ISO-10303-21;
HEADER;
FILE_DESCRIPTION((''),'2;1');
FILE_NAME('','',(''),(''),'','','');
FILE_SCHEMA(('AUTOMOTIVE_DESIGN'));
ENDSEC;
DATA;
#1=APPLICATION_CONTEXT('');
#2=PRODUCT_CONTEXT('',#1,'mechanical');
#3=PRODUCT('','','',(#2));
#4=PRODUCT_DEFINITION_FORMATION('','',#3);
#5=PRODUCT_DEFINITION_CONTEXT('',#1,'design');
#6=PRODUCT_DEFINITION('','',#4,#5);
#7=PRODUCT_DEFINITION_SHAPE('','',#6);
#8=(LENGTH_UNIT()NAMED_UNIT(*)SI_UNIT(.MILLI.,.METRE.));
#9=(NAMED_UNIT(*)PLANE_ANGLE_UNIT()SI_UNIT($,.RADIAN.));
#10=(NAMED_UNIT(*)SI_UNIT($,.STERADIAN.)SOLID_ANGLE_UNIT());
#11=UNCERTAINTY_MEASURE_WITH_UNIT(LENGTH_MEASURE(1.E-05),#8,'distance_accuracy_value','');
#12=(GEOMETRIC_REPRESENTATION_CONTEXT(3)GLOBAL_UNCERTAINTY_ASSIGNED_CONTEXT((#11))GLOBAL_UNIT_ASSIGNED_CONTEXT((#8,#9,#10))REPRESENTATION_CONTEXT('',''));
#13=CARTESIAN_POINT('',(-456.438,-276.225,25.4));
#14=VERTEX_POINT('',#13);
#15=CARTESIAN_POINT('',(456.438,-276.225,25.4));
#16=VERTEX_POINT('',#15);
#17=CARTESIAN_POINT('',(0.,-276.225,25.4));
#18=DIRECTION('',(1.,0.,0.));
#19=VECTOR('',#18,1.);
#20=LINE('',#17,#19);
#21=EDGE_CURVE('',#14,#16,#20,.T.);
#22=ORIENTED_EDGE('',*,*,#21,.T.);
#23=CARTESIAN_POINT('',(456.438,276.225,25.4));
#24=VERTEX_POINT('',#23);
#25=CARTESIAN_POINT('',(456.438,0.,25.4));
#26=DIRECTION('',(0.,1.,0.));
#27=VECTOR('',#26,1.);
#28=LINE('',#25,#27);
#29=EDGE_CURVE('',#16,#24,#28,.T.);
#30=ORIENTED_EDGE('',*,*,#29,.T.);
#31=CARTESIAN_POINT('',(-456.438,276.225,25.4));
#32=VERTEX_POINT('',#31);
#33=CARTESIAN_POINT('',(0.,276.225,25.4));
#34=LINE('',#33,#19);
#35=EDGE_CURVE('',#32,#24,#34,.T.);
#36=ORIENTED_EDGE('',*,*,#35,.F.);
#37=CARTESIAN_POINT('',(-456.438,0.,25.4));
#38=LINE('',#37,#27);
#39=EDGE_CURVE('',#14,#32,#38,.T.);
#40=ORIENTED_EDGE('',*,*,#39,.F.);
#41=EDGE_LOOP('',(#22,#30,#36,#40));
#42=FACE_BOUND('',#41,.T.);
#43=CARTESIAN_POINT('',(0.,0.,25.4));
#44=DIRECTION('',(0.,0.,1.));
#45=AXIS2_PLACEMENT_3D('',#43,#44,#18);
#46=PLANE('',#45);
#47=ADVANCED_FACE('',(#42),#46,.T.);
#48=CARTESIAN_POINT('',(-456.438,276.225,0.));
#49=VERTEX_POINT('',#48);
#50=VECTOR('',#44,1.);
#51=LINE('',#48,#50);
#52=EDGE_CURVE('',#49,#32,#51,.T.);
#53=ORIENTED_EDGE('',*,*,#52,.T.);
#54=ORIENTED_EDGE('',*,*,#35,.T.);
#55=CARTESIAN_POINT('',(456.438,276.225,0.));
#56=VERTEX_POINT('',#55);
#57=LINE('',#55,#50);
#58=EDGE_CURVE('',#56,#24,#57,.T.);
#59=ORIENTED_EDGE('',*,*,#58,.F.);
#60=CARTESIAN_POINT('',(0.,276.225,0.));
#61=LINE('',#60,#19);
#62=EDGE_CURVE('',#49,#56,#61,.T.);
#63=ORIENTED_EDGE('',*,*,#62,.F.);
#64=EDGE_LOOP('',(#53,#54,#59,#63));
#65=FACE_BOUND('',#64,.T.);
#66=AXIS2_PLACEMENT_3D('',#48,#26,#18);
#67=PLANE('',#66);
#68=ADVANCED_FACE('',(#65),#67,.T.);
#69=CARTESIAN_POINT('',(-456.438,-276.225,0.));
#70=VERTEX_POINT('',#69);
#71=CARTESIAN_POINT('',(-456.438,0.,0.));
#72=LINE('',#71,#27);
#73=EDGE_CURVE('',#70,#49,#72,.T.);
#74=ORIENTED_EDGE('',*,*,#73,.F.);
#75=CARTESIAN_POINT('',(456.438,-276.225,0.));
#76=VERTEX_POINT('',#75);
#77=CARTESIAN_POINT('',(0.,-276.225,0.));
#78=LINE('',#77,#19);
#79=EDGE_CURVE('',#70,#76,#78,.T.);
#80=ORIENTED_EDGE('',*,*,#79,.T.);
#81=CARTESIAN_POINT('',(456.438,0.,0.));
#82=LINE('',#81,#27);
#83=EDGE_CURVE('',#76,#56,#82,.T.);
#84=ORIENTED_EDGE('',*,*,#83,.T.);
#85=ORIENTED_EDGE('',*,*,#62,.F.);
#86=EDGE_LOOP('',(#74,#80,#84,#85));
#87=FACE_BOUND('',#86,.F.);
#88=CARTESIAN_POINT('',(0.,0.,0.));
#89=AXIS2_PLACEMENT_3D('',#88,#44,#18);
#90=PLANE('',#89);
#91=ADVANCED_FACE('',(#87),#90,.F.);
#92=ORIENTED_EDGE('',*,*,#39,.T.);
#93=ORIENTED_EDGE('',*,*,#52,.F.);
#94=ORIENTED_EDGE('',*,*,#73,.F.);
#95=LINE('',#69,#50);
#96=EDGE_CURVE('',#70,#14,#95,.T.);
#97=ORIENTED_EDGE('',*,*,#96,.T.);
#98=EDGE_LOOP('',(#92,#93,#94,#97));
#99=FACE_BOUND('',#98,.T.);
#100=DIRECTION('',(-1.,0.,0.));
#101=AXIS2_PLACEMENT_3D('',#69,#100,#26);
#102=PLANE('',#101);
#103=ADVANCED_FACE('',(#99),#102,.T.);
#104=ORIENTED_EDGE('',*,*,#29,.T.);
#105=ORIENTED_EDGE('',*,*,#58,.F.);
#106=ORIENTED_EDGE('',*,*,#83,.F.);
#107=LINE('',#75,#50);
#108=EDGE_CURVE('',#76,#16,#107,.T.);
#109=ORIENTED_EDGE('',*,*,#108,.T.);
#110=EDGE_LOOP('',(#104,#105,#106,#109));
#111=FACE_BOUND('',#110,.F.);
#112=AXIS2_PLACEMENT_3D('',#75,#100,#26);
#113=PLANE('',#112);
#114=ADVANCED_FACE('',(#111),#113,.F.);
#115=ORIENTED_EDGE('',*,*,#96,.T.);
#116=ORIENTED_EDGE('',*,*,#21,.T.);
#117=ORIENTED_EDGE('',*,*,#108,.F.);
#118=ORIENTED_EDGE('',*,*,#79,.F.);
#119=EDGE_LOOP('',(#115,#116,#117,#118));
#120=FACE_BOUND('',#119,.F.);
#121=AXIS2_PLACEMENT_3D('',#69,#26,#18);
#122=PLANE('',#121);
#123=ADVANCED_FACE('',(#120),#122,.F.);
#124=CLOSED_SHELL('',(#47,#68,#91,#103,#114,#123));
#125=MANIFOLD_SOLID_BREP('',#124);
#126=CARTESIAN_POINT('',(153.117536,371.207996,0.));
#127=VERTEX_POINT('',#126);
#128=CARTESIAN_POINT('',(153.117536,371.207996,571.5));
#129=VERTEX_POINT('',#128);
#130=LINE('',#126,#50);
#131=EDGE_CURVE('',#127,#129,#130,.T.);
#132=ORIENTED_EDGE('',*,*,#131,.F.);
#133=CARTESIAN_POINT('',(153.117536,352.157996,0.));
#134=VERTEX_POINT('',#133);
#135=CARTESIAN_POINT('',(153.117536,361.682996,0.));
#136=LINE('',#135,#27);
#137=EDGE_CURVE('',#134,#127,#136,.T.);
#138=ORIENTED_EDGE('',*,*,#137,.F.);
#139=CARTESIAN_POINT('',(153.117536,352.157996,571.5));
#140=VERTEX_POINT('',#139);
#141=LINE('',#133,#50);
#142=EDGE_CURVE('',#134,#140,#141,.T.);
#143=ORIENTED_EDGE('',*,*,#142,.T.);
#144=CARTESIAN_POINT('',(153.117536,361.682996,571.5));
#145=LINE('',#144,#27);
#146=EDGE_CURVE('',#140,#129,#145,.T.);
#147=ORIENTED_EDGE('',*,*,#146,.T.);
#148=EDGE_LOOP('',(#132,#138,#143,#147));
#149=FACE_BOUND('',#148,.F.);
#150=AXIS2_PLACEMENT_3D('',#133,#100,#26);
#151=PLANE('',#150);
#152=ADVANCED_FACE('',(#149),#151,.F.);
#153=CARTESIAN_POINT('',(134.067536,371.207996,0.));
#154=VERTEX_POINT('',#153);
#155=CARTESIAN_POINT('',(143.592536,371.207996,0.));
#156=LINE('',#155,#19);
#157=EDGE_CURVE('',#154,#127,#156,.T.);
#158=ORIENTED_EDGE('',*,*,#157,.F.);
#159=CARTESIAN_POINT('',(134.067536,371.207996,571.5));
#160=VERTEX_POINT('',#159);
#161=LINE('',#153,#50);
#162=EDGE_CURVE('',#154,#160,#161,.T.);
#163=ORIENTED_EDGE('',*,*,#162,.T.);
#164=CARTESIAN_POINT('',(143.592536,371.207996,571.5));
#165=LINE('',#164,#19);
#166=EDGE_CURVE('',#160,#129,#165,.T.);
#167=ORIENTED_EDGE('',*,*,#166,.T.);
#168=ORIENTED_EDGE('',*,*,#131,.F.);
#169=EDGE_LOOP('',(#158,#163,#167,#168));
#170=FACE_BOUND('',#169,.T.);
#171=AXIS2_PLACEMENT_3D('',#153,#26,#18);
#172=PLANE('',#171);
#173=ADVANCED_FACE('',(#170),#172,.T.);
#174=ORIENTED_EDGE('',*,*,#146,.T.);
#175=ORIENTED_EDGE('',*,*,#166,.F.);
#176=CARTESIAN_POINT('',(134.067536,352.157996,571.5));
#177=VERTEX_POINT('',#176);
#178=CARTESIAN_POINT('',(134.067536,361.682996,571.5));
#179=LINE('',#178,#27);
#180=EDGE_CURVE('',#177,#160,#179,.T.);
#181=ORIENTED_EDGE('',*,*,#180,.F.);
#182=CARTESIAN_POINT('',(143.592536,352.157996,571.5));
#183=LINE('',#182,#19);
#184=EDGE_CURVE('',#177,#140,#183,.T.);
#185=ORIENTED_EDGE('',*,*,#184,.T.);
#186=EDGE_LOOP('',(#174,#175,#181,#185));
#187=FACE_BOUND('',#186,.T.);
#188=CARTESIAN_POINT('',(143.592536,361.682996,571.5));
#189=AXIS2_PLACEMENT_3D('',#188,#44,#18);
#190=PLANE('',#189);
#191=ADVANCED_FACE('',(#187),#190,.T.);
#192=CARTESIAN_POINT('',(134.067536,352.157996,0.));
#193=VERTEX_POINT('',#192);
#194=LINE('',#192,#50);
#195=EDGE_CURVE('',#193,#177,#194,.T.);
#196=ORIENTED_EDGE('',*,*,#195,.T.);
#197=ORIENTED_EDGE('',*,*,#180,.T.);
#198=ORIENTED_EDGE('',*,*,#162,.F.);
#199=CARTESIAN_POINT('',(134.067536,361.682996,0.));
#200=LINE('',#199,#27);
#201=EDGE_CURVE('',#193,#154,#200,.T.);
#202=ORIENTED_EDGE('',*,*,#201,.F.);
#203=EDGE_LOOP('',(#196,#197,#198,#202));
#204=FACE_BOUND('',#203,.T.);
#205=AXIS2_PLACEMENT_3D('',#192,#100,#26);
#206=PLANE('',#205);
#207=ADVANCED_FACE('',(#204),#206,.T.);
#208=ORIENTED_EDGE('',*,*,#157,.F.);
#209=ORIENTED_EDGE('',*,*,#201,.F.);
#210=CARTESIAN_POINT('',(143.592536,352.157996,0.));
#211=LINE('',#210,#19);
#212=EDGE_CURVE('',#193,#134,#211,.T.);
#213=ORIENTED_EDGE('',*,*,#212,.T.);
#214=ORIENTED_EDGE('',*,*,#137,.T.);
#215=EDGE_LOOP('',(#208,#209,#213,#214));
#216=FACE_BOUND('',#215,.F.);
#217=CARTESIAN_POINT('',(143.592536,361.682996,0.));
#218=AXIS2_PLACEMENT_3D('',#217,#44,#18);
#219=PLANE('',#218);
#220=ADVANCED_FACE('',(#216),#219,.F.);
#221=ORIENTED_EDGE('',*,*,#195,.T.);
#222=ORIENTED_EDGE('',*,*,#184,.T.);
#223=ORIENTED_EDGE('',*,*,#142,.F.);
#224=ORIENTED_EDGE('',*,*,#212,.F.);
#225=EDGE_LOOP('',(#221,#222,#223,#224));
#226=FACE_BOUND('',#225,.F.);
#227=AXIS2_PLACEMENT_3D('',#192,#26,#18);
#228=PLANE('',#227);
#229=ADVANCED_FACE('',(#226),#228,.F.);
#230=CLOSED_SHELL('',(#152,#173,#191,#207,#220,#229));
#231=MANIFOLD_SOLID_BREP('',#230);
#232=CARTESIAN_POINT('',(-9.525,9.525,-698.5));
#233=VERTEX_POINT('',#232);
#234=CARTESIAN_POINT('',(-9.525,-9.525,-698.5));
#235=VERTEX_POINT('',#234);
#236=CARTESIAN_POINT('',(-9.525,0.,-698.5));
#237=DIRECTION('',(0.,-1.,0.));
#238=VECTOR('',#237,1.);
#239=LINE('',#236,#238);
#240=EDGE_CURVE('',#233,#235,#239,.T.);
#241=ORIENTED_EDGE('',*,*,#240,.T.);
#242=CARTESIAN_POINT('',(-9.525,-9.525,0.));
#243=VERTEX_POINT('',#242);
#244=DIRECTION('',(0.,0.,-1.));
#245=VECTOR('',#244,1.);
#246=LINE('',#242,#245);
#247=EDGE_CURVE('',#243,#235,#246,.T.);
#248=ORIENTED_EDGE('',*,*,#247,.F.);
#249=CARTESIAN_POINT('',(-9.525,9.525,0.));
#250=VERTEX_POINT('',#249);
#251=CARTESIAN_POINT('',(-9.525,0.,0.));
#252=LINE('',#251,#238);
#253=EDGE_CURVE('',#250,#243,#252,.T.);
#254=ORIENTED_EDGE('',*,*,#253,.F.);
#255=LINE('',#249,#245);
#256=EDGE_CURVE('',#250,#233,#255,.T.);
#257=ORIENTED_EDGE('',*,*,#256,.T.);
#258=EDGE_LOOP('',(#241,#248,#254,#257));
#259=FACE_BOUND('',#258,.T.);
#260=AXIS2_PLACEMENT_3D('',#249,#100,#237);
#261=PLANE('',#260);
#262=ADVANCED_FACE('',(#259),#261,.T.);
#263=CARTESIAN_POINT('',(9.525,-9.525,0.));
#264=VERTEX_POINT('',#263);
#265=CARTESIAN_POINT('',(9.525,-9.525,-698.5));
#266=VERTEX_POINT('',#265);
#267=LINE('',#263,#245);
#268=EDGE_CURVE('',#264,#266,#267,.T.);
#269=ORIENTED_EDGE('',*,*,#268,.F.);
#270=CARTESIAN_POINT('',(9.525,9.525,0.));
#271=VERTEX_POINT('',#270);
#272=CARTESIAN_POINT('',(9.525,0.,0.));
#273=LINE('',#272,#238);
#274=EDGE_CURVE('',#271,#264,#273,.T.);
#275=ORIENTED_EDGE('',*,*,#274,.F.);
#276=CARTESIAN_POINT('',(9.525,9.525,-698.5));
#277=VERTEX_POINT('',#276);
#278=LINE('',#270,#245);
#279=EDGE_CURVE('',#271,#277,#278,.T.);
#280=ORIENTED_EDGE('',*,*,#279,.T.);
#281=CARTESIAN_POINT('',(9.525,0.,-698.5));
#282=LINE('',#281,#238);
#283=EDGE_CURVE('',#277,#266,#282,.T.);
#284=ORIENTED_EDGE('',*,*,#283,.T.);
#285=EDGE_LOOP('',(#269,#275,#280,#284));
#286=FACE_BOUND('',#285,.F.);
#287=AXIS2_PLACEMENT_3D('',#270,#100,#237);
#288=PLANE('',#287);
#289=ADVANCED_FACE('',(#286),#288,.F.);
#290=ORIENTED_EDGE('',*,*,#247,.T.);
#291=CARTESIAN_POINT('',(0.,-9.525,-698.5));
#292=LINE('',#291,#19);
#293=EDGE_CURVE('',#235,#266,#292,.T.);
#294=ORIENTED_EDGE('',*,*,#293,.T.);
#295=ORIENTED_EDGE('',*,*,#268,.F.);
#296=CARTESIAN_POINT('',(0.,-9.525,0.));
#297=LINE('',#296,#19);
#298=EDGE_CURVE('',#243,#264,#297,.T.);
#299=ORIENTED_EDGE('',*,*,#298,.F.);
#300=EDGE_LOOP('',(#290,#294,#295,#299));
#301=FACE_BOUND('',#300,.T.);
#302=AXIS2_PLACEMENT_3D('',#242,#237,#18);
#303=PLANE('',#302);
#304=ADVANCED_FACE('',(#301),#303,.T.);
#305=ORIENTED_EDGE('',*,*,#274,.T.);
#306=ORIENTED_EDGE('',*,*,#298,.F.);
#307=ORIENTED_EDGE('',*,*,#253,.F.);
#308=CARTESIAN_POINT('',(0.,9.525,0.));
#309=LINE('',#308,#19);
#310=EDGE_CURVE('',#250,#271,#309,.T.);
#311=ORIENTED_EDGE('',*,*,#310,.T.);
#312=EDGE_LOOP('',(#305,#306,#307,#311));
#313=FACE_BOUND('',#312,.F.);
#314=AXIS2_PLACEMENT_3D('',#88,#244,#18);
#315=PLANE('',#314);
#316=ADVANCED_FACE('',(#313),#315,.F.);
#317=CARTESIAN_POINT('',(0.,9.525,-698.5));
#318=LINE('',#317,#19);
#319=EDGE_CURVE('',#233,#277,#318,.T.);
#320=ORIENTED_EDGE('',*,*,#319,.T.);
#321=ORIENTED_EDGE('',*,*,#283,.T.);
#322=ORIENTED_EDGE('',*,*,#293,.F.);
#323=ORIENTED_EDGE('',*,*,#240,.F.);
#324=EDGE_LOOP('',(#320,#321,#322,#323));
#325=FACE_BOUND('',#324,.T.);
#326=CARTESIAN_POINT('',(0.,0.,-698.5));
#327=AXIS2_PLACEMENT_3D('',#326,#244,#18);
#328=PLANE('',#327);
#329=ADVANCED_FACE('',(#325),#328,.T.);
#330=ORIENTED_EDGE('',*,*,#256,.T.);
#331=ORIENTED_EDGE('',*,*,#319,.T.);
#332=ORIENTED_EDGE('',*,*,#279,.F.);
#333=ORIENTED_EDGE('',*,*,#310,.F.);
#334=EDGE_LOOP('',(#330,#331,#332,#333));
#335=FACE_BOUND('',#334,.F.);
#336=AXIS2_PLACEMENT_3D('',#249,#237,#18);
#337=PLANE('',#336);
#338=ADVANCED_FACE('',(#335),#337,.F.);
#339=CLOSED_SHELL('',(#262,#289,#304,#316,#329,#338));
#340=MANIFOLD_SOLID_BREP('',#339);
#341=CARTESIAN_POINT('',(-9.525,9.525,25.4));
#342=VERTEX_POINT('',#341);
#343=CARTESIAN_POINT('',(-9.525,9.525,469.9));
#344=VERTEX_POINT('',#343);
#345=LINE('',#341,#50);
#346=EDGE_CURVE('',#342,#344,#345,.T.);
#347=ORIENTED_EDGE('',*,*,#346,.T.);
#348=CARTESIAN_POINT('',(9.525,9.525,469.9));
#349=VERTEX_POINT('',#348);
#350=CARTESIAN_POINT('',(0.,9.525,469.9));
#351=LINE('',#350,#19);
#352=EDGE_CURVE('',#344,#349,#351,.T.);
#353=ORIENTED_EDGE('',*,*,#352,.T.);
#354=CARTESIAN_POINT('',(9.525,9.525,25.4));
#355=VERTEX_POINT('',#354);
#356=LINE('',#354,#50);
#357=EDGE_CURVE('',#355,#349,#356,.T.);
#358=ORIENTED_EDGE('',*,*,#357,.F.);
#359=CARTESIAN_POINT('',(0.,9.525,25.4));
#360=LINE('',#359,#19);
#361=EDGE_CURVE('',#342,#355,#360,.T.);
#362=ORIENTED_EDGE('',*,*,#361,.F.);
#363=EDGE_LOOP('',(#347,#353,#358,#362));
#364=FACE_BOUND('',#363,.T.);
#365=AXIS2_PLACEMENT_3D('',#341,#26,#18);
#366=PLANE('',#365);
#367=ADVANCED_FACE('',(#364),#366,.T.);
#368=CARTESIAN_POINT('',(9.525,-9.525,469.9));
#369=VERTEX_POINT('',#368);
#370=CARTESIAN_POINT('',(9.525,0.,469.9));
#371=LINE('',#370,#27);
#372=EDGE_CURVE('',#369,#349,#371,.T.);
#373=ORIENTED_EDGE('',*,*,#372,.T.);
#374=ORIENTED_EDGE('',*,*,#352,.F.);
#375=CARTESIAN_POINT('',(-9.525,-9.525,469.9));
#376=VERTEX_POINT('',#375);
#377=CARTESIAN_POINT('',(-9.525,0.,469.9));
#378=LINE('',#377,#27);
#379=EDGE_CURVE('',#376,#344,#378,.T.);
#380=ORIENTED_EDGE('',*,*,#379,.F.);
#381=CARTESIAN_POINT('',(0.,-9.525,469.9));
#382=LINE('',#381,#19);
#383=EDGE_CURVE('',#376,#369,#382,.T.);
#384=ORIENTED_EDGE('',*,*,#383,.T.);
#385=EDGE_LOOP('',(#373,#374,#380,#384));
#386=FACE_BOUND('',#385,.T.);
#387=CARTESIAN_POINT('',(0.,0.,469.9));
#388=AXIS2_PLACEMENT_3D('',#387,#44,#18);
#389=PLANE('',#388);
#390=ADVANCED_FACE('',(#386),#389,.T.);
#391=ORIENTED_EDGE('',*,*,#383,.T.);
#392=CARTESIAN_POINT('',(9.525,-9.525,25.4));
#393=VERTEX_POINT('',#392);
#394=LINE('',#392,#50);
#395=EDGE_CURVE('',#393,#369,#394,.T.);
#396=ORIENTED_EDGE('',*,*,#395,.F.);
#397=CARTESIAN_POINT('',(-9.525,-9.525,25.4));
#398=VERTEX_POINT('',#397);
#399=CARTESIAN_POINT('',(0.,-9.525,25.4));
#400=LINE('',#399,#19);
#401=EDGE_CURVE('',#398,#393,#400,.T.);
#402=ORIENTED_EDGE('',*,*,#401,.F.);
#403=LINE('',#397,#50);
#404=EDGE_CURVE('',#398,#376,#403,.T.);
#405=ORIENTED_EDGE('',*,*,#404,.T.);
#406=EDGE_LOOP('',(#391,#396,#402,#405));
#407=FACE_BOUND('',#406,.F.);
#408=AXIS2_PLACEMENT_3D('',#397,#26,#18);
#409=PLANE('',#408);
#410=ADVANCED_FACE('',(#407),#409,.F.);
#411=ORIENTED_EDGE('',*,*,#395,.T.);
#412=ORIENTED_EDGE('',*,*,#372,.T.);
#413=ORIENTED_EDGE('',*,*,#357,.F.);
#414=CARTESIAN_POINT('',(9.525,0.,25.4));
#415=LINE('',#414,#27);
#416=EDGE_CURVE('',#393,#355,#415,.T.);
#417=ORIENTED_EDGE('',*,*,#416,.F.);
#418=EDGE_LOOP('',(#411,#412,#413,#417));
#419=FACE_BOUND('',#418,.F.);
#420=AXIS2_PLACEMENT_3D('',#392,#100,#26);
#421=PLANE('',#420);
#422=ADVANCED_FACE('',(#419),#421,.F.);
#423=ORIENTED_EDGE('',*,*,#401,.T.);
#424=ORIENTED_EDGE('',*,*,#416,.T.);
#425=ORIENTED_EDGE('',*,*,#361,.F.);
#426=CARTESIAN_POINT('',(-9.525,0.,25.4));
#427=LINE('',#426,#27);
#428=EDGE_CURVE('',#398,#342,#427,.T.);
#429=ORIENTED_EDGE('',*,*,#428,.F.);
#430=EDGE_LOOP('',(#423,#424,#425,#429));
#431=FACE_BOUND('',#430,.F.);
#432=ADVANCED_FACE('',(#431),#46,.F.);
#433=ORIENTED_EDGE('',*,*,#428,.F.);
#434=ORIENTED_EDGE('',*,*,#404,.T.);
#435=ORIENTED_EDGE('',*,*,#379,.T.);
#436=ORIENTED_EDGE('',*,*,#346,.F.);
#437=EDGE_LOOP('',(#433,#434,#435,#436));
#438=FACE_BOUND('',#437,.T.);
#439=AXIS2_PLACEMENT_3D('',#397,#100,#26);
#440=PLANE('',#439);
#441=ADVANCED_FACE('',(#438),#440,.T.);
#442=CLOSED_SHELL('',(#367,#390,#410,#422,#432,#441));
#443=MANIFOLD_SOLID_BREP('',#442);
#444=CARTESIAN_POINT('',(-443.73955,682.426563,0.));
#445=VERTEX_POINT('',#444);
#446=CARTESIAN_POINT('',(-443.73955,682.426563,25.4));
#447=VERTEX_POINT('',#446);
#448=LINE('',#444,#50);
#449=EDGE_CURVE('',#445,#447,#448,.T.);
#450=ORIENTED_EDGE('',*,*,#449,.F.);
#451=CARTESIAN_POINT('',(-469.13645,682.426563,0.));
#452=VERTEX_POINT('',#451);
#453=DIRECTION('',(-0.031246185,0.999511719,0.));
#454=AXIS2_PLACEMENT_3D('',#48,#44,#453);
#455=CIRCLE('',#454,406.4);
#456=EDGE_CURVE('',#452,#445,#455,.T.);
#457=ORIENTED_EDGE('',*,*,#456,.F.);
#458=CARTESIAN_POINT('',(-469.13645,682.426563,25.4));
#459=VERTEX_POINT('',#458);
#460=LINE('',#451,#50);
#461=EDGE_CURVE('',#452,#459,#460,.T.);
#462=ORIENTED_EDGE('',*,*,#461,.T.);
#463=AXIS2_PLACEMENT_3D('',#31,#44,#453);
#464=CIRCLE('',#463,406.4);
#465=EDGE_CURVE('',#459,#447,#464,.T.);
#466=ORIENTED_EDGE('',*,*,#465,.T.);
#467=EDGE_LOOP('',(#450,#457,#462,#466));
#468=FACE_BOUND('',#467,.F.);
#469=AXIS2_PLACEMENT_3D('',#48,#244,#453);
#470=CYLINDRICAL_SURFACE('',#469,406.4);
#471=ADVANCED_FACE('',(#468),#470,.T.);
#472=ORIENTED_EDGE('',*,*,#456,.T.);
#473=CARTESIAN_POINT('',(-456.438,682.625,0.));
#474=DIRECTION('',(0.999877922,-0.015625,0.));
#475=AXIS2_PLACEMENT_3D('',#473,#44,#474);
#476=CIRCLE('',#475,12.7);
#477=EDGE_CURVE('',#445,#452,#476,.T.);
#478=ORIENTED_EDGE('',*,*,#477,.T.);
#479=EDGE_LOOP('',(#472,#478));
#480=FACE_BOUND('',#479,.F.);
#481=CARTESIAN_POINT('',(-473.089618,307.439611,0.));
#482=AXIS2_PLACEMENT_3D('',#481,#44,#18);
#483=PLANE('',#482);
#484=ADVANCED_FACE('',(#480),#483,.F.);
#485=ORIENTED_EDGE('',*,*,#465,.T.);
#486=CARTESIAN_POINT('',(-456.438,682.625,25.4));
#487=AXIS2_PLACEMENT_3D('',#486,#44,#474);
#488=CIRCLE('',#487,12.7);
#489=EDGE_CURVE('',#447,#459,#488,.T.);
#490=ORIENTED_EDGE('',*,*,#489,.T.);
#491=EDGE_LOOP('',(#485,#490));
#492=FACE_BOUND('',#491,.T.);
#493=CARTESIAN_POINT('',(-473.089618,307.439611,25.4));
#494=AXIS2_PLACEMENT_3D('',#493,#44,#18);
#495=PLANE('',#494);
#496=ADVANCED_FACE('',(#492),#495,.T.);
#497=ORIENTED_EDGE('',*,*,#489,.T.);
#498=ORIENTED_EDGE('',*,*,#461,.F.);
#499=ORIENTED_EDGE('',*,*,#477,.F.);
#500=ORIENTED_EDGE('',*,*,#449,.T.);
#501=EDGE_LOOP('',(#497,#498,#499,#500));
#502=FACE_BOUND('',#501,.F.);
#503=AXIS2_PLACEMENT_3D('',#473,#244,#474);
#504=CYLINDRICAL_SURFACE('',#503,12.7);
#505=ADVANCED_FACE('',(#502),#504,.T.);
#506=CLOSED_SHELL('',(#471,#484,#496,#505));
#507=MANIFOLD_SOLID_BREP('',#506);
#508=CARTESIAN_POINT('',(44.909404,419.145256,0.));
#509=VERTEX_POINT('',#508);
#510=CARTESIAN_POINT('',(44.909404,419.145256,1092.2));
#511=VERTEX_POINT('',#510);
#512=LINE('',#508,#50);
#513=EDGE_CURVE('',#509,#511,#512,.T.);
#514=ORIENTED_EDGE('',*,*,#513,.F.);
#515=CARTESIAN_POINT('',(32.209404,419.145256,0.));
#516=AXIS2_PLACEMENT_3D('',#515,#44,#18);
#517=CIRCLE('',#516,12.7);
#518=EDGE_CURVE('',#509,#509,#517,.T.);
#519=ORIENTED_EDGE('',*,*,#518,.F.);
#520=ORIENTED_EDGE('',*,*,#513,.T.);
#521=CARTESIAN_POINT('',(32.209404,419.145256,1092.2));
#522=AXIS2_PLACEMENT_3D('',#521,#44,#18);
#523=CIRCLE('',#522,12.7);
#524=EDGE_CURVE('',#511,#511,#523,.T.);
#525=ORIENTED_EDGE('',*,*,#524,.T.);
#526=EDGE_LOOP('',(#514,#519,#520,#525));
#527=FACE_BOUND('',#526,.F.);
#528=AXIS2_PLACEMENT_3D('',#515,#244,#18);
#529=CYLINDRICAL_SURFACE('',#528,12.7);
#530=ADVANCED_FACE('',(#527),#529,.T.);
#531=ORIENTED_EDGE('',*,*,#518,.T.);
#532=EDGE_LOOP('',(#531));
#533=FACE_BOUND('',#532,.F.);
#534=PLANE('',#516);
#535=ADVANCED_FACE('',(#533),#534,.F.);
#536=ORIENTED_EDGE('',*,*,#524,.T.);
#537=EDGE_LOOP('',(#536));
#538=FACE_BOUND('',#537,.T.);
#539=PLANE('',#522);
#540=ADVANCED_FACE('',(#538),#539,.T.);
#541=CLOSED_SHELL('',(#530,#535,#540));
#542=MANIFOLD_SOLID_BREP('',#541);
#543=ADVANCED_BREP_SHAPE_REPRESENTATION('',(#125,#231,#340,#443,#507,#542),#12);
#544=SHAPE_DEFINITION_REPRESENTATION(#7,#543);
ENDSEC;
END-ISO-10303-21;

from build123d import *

# Parameters (mm, degrees)
F0_W      = 912.876
F0_H      = 552.45
F4_DEPTH  = 25.4
F5_DEPTH  = 25.4
F2_R      = 12.7
F6_DEPTH  = 1092.2
F3_W      = 19.05
F3_H      = 19.05
F7_DEPTH  = 571.5
F8_W      = 19.05
F8_H      = 19.05
F9_DEPTH  = 444.5
F10_W     = 19.05
F10_H     = 19.05
F11_DEPTH = 698.5


with BuildPart() as f4:
    # F0 (on Top) → F4 (new body)
    with BuildSketch(Plane.XY):
        Rectangle(F0_W, F0_H)
    extrude(amount=F4_DEPTH)


with BuildPart() as f5:
    # F1 (on face) → F5 (new body)
    with BuildSketch(Plane.XY):
        with BuildLine():
            ThreePointArc((-443.7395503876, 682.4265625), (-456.438, 695.325), (-469.1364496124, 682.4265625))
            ThreePointArc((-469.1364496124, 682.4265625), (-862.7883875967, 269.875), (-456.438, -130.175))
            Line((-456.438, -130.175), (-456.438, 276.225))
            Line((-456.438, 276.225), (-50.038, 276.225))
            ThreePointArc((-50.038, 276.225), (-164.614757332, 559.0679865469), (-443.7395503876, 682.4265625))
        make_face()
        with BuildLine():
            Line((-456.438, 276.225), (-456.438, -130.175))
            ThreePointArc((-456.438, -130.175), (-169.0698041258, -11.1431958742), (-50.038, 276.225))
            Line((-50.038, 276.225), (-456.438, 276.225))
        make_face()
    extrude(amount=F5_DEPTH)


with BuildPart() as f6:
    # F2 (on Top) → F6 (new body)
    with BuildSketch(Plane.XY):
        with Locations((32.2094038129, 419.1452562809)):
            Circle(F2_R)
    extrude(amount=F6_DEPTH)


with BuildPart() as f7:
    # F3 (on Top) → F7 (new body)
    with BuildSketch(Plane.XY):
        with Locations((143.5925364494, 361.6829961538)):
            Rectangle(F3_W, F3_H)
    extrude(amount=F7_DEPTH)


with BuildPart() as f9:
    # F8 (on face) → F9 (new body)
    with BuildSketch(Plane.XY.offset(25.4)):
        Rectangle(F8_W, F8_H)
    extrude(amount=F9_DEPTH)


with BuildPart() as f11:
    # F10 (on face) → F11 (new body)
    with BuildSketch(Plane(origin=(0, 0, 0), x_dir=(1, 0, 0), z_dir=(0, 0, -1))):
        Rectangle(F10_W, F10_H)
    extrude(amount=F11_DEPTH)


solid = Compound([f4.part, f5.part, f6.part, f7.part, f9.part, f11.part])
